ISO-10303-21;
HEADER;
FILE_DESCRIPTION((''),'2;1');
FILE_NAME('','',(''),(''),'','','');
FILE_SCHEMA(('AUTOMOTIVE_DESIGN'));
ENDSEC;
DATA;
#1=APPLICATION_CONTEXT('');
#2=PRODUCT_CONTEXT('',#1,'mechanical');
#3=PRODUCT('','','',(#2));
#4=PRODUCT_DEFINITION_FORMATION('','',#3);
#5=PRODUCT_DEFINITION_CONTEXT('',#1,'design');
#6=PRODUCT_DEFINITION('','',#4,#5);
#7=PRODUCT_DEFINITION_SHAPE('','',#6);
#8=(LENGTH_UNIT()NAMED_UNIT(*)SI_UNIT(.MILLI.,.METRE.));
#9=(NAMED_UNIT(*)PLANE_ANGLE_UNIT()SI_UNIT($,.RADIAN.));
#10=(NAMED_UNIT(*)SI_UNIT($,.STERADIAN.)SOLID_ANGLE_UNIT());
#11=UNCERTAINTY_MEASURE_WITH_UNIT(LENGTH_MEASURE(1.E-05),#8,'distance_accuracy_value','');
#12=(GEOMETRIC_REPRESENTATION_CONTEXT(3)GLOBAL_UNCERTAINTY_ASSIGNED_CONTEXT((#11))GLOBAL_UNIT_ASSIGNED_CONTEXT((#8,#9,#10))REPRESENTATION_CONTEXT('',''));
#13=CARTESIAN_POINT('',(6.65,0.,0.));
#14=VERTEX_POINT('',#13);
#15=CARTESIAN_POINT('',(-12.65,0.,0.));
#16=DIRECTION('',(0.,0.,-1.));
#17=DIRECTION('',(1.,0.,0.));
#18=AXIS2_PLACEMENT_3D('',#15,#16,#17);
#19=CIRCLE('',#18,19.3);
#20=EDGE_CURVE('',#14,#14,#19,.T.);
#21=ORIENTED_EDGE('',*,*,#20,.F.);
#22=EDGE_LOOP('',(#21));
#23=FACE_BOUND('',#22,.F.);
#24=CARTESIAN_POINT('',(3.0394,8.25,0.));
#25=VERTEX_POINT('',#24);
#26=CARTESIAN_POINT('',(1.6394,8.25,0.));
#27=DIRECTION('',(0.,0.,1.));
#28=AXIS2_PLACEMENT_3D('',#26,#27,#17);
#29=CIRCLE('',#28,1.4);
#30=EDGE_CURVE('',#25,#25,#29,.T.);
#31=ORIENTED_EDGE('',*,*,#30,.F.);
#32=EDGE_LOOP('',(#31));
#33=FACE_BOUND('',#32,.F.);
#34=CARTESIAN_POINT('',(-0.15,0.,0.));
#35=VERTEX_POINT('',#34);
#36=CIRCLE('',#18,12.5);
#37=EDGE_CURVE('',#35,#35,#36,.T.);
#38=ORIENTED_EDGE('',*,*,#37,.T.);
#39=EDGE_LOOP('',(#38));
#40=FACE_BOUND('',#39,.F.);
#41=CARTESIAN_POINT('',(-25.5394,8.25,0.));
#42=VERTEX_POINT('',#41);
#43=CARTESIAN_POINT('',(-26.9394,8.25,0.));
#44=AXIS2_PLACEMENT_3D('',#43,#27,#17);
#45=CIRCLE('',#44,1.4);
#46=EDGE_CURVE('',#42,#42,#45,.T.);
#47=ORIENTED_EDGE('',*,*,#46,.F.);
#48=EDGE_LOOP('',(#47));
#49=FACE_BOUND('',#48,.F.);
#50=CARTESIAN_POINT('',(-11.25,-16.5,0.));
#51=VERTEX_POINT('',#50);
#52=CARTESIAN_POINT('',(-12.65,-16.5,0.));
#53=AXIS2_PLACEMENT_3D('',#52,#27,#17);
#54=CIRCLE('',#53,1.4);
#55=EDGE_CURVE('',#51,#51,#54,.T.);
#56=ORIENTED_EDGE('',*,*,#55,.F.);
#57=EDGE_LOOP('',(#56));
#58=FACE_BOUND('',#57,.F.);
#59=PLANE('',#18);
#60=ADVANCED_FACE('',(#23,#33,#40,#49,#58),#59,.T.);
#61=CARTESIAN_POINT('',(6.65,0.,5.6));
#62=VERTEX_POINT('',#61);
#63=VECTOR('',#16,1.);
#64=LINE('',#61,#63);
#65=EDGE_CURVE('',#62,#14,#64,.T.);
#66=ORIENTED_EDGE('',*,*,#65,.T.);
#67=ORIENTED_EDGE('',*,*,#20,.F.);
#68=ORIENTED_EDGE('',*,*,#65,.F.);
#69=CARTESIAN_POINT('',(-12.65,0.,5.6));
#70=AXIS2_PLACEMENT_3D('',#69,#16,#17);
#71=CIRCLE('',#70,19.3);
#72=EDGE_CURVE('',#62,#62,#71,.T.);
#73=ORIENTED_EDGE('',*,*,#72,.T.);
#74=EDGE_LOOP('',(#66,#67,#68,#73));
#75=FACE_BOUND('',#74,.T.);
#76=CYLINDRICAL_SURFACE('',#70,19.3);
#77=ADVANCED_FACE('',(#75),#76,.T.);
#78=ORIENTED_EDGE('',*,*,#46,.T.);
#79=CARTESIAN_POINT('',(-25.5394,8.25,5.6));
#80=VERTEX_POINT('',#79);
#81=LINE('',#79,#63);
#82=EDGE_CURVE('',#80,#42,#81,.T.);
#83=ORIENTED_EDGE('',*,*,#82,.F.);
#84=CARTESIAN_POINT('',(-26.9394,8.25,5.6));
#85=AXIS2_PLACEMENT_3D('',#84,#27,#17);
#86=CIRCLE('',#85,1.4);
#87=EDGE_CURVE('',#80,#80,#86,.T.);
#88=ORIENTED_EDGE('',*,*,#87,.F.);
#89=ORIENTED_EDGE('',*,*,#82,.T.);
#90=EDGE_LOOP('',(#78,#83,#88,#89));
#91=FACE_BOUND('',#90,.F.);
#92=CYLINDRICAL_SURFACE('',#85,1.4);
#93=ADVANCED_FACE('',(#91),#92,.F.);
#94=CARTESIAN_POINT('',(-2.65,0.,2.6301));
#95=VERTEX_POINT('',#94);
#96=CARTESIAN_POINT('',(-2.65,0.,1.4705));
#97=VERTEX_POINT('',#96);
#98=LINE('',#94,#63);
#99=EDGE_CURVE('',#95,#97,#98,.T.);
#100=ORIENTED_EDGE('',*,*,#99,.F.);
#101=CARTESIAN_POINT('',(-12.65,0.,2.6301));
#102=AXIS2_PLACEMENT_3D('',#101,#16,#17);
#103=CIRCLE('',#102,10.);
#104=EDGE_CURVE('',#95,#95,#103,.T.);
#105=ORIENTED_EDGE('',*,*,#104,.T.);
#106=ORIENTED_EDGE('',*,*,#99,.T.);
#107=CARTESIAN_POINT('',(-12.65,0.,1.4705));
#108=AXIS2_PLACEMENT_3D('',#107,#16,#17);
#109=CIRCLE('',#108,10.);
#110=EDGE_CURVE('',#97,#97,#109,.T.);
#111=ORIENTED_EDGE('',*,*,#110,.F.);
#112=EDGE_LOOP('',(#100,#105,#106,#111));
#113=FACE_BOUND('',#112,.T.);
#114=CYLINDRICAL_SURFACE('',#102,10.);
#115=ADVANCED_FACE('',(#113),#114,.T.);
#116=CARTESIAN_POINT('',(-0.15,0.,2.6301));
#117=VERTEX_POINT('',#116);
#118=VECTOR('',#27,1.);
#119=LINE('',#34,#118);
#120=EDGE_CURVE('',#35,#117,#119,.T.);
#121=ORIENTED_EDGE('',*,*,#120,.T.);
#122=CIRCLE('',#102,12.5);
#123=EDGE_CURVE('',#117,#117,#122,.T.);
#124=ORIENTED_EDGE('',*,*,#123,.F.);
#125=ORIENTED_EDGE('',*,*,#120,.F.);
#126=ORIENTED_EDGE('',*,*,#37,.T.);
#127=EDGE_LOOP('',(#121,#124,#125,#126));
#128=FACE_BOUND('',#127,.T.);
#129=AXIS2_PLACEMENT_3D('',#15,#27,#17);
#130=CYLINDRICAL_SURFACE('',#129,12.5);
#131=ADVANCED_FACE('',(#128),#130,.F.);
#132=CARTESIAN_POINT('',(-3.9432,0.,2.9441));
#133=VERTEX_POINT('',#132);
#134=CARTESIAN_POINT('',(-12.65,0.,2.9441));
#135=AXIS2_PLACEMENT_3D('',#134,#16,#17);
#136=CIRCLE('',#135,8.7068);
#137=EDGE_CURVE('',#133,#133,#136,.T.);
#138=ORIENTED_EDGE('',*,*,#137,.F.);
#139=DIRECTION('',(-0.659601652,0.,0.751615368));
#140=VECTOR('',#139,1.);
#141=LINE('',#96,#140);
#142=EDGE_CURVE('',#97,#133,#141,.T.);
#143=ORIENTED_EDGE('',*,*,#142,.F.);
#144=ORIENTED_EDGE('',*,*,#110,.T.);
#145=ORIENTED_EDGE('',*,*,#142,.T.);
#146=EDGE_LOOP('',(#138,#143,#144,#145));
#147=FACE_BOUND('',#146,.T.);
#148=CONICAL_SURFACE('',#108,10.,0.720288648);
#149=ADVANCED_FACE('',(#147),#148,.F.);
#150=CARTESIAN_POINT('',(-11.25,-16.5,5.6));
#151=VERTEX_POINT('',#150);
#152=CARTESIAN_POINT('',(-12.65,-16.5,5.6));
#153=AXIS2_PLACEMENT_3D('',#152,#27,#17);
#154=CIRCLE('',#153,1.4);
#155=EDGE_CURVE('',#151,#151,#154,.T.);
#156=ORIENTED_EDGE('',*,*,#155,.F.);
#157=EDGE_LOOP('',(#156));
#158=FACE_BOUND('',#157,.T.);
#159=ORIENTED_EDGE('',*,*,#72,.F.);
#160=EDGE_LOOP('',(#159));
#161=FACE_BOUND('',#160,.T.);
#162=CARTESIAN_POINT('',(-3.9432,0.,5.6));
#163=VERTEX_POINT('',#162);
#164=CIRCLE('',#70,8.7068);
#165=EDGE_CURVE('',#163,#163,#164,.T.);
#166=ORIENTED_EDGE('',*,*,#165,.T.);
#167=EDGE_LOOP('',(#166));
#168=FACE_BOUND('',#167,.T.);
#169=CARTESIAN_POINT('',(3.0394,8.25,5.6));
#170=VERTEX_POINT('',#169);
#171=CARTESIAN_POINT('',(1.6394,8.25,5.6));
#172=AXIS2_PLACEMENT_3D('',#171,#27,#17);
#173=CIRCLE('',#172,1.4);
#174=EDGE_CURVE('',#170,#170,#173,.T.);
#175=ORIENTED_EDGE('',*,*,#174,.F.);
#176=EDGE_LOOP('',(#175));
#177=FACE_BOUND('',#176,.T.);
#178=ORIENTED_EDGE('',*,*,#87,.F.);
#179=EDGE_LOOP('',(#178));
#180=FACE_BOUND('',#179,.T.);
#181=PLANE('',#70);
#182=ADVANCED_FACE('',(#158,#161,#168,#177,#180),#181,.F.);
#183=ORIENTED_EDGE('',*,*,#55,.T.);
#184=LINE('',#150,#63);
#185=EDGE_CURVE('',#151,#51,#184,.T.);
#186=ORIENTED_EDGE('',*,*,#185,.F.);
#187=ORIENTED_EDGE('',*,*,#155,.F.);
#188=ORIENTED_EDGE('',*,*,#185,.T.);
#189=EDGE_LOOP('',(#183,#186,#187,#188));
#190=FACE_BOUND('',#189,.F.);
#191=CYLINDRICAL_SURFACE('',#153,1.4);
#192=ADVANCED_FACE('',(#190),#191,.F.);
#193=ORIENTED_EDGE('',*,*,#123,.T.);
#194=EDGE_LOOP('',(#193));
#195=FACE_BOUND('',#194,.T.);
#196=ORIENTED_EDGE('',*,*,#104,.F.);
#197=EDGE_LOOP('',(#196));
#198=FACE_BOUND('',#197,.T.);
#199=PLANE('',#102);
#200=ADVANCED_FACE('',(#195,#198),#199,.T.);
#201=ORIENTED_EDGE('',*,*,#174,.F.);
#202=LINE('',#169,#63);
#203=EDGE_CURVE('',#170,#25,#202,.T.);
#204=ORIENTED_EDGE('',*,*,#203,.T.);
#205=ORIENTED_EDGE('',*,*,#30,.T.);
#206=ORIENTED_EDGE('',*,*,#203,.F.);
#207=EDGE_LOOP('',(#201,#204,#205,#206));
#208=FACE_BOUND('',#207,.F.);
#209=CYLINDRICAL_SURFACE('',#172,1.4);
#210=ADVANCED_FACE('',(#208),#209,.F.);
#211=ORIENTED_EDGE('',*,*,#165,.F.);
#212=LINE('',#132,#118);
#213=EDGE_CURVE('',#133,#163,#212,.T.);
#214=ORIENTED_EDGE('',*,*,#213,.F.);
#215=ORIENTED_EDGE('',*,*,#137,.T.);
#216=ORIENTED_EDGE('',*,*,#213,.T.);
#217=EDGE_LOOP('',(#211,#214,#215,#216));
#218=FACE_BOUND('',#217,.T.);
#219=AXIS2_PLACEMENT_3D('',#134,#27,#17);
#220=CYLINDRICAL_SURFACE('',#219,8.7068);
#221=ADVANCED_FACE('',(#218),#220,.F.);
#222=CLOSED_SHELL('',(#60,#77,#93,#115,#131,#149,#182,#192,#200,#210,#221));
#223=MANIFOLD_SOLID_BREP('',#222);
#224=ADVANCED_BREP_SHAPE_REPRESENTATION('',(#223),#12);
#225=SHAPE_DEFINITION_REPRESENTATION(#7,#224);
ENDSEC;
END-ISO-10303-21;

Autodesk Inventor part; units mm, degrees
ref_plane "YZ Plane" through (0, 0, 0) normal (1, 0, 0) x (0, 1, 0)
ref_plane "XZ Plane" through (0, 0, 0) normal (0, 1, 0) x (-1, 0, 0)
ref_plane "XY Plane" through (0, 0, 0) normal (0, 0, 1) x (1, 0, 0)
sketch "Skizze1" plane through (0, 0, 0) normal (0, 1, 0) x (-1, 0, 0)
  line L0 (-6.65, -5) -> (-6.65, 0)
  line L1 (31.95, 0) -> (-6.65, 0) projected
  line L2 (25.15, 0.2) -> (0.15, 0.2) projected
  line L3 (0.15, 0) -> (0.15, 0.2)
  line L4 (25.65, 5.6) -> (-0.35, 5.6) projected
  line L5 (-6.65, 0) -> (-0.0746, 0)
  line L6 (-0.0746, 0) -> (-0.0746, 0.397)
  line L7 (-0.0746, 0.397) -> (3.1743, 0.397) construction
  line L8 (3.9432, 5.6) -> (-6.65, 5.6)
  line L9 (-6.65, 5.6) -> (-6.65, 0)
  line L10 (0.15, 2.6301) -> (2.65, 2.6301)
  line L11 (2.65, 2.6301) -> (2.65, 0.1301)
  line L12 (2.65, 0.1301) -> (0.15, 0.1301)
  line L13 (0.15, 0.1301) -> (0.15, 2.6301)
  line L14 (0.15, 2.6301) -> (2.65, 0.1301) construction
  line L15 (2.65, 2.6301) -> (0.15, 0.1301) construction
  line L16 (2.65, 1.4705) -> (3.9432, 2.9441)
  line L17 (3.9432, 2.9441) -> (3.9432, 5.6)
  line L18 (12.65, 7.6215) -> (12.65, -1.0202)
  line L19 (4.6015, 2.505) -> (4.6015, 3.505)
  line L20 (20.6985, 2.505) -> (20.6985, 3.505)
  line L21 (-0.0746, 0.397) -> (0.15, 0.397)
  point P0 (0, 0)
  point P1 (1.4, 1.3801)
  point P2 (0.15, 0.397)
  point P3 (0.15, 0.2)
  point P4 (2.65, 0.2)
  point P5 (0.15, 0.1301)
  dimension "d0" = 2.5
  dimension "d1" = 2.5
  dimension "d3" = 16.0971
  dimension "d4" = 8.0485
  dimension "d5" = 11.25
revolve "Umdrehung1" add sketch "Skizze1" angle 360 about axis through (-12.65, 0, 7.6215) along (0, 0, -1) contours L1 L6 L21 L13 L3 | L1 L9 L8 L4 L17 L16 L11 L10 L13 L21 L6
sketch "Skizze2" plane through (-12.65, 0, 5.6) normal (0, 0, 1) x (1, 0, 0)
  circle A0 centre (14.2894, 8.25) radius 1.4 projected
  circle A1 centre (-14.2894, 8.25) radius 1.4 projected
  arc A2 (-6.25, 7.8062) -> (6.25, 7.8062) centre (0, 0) ccw projected
  circle A3 centre (0, -16.5) radius 1.4 projected
  point P0 (12.65, 0)
extrude "Extrusion1" cut sketch "Skizze2" against normal blind 10
equation "\"d4\" = 0.5 * d3"
properties part number "50_ETL_Base_layer1_v0"
